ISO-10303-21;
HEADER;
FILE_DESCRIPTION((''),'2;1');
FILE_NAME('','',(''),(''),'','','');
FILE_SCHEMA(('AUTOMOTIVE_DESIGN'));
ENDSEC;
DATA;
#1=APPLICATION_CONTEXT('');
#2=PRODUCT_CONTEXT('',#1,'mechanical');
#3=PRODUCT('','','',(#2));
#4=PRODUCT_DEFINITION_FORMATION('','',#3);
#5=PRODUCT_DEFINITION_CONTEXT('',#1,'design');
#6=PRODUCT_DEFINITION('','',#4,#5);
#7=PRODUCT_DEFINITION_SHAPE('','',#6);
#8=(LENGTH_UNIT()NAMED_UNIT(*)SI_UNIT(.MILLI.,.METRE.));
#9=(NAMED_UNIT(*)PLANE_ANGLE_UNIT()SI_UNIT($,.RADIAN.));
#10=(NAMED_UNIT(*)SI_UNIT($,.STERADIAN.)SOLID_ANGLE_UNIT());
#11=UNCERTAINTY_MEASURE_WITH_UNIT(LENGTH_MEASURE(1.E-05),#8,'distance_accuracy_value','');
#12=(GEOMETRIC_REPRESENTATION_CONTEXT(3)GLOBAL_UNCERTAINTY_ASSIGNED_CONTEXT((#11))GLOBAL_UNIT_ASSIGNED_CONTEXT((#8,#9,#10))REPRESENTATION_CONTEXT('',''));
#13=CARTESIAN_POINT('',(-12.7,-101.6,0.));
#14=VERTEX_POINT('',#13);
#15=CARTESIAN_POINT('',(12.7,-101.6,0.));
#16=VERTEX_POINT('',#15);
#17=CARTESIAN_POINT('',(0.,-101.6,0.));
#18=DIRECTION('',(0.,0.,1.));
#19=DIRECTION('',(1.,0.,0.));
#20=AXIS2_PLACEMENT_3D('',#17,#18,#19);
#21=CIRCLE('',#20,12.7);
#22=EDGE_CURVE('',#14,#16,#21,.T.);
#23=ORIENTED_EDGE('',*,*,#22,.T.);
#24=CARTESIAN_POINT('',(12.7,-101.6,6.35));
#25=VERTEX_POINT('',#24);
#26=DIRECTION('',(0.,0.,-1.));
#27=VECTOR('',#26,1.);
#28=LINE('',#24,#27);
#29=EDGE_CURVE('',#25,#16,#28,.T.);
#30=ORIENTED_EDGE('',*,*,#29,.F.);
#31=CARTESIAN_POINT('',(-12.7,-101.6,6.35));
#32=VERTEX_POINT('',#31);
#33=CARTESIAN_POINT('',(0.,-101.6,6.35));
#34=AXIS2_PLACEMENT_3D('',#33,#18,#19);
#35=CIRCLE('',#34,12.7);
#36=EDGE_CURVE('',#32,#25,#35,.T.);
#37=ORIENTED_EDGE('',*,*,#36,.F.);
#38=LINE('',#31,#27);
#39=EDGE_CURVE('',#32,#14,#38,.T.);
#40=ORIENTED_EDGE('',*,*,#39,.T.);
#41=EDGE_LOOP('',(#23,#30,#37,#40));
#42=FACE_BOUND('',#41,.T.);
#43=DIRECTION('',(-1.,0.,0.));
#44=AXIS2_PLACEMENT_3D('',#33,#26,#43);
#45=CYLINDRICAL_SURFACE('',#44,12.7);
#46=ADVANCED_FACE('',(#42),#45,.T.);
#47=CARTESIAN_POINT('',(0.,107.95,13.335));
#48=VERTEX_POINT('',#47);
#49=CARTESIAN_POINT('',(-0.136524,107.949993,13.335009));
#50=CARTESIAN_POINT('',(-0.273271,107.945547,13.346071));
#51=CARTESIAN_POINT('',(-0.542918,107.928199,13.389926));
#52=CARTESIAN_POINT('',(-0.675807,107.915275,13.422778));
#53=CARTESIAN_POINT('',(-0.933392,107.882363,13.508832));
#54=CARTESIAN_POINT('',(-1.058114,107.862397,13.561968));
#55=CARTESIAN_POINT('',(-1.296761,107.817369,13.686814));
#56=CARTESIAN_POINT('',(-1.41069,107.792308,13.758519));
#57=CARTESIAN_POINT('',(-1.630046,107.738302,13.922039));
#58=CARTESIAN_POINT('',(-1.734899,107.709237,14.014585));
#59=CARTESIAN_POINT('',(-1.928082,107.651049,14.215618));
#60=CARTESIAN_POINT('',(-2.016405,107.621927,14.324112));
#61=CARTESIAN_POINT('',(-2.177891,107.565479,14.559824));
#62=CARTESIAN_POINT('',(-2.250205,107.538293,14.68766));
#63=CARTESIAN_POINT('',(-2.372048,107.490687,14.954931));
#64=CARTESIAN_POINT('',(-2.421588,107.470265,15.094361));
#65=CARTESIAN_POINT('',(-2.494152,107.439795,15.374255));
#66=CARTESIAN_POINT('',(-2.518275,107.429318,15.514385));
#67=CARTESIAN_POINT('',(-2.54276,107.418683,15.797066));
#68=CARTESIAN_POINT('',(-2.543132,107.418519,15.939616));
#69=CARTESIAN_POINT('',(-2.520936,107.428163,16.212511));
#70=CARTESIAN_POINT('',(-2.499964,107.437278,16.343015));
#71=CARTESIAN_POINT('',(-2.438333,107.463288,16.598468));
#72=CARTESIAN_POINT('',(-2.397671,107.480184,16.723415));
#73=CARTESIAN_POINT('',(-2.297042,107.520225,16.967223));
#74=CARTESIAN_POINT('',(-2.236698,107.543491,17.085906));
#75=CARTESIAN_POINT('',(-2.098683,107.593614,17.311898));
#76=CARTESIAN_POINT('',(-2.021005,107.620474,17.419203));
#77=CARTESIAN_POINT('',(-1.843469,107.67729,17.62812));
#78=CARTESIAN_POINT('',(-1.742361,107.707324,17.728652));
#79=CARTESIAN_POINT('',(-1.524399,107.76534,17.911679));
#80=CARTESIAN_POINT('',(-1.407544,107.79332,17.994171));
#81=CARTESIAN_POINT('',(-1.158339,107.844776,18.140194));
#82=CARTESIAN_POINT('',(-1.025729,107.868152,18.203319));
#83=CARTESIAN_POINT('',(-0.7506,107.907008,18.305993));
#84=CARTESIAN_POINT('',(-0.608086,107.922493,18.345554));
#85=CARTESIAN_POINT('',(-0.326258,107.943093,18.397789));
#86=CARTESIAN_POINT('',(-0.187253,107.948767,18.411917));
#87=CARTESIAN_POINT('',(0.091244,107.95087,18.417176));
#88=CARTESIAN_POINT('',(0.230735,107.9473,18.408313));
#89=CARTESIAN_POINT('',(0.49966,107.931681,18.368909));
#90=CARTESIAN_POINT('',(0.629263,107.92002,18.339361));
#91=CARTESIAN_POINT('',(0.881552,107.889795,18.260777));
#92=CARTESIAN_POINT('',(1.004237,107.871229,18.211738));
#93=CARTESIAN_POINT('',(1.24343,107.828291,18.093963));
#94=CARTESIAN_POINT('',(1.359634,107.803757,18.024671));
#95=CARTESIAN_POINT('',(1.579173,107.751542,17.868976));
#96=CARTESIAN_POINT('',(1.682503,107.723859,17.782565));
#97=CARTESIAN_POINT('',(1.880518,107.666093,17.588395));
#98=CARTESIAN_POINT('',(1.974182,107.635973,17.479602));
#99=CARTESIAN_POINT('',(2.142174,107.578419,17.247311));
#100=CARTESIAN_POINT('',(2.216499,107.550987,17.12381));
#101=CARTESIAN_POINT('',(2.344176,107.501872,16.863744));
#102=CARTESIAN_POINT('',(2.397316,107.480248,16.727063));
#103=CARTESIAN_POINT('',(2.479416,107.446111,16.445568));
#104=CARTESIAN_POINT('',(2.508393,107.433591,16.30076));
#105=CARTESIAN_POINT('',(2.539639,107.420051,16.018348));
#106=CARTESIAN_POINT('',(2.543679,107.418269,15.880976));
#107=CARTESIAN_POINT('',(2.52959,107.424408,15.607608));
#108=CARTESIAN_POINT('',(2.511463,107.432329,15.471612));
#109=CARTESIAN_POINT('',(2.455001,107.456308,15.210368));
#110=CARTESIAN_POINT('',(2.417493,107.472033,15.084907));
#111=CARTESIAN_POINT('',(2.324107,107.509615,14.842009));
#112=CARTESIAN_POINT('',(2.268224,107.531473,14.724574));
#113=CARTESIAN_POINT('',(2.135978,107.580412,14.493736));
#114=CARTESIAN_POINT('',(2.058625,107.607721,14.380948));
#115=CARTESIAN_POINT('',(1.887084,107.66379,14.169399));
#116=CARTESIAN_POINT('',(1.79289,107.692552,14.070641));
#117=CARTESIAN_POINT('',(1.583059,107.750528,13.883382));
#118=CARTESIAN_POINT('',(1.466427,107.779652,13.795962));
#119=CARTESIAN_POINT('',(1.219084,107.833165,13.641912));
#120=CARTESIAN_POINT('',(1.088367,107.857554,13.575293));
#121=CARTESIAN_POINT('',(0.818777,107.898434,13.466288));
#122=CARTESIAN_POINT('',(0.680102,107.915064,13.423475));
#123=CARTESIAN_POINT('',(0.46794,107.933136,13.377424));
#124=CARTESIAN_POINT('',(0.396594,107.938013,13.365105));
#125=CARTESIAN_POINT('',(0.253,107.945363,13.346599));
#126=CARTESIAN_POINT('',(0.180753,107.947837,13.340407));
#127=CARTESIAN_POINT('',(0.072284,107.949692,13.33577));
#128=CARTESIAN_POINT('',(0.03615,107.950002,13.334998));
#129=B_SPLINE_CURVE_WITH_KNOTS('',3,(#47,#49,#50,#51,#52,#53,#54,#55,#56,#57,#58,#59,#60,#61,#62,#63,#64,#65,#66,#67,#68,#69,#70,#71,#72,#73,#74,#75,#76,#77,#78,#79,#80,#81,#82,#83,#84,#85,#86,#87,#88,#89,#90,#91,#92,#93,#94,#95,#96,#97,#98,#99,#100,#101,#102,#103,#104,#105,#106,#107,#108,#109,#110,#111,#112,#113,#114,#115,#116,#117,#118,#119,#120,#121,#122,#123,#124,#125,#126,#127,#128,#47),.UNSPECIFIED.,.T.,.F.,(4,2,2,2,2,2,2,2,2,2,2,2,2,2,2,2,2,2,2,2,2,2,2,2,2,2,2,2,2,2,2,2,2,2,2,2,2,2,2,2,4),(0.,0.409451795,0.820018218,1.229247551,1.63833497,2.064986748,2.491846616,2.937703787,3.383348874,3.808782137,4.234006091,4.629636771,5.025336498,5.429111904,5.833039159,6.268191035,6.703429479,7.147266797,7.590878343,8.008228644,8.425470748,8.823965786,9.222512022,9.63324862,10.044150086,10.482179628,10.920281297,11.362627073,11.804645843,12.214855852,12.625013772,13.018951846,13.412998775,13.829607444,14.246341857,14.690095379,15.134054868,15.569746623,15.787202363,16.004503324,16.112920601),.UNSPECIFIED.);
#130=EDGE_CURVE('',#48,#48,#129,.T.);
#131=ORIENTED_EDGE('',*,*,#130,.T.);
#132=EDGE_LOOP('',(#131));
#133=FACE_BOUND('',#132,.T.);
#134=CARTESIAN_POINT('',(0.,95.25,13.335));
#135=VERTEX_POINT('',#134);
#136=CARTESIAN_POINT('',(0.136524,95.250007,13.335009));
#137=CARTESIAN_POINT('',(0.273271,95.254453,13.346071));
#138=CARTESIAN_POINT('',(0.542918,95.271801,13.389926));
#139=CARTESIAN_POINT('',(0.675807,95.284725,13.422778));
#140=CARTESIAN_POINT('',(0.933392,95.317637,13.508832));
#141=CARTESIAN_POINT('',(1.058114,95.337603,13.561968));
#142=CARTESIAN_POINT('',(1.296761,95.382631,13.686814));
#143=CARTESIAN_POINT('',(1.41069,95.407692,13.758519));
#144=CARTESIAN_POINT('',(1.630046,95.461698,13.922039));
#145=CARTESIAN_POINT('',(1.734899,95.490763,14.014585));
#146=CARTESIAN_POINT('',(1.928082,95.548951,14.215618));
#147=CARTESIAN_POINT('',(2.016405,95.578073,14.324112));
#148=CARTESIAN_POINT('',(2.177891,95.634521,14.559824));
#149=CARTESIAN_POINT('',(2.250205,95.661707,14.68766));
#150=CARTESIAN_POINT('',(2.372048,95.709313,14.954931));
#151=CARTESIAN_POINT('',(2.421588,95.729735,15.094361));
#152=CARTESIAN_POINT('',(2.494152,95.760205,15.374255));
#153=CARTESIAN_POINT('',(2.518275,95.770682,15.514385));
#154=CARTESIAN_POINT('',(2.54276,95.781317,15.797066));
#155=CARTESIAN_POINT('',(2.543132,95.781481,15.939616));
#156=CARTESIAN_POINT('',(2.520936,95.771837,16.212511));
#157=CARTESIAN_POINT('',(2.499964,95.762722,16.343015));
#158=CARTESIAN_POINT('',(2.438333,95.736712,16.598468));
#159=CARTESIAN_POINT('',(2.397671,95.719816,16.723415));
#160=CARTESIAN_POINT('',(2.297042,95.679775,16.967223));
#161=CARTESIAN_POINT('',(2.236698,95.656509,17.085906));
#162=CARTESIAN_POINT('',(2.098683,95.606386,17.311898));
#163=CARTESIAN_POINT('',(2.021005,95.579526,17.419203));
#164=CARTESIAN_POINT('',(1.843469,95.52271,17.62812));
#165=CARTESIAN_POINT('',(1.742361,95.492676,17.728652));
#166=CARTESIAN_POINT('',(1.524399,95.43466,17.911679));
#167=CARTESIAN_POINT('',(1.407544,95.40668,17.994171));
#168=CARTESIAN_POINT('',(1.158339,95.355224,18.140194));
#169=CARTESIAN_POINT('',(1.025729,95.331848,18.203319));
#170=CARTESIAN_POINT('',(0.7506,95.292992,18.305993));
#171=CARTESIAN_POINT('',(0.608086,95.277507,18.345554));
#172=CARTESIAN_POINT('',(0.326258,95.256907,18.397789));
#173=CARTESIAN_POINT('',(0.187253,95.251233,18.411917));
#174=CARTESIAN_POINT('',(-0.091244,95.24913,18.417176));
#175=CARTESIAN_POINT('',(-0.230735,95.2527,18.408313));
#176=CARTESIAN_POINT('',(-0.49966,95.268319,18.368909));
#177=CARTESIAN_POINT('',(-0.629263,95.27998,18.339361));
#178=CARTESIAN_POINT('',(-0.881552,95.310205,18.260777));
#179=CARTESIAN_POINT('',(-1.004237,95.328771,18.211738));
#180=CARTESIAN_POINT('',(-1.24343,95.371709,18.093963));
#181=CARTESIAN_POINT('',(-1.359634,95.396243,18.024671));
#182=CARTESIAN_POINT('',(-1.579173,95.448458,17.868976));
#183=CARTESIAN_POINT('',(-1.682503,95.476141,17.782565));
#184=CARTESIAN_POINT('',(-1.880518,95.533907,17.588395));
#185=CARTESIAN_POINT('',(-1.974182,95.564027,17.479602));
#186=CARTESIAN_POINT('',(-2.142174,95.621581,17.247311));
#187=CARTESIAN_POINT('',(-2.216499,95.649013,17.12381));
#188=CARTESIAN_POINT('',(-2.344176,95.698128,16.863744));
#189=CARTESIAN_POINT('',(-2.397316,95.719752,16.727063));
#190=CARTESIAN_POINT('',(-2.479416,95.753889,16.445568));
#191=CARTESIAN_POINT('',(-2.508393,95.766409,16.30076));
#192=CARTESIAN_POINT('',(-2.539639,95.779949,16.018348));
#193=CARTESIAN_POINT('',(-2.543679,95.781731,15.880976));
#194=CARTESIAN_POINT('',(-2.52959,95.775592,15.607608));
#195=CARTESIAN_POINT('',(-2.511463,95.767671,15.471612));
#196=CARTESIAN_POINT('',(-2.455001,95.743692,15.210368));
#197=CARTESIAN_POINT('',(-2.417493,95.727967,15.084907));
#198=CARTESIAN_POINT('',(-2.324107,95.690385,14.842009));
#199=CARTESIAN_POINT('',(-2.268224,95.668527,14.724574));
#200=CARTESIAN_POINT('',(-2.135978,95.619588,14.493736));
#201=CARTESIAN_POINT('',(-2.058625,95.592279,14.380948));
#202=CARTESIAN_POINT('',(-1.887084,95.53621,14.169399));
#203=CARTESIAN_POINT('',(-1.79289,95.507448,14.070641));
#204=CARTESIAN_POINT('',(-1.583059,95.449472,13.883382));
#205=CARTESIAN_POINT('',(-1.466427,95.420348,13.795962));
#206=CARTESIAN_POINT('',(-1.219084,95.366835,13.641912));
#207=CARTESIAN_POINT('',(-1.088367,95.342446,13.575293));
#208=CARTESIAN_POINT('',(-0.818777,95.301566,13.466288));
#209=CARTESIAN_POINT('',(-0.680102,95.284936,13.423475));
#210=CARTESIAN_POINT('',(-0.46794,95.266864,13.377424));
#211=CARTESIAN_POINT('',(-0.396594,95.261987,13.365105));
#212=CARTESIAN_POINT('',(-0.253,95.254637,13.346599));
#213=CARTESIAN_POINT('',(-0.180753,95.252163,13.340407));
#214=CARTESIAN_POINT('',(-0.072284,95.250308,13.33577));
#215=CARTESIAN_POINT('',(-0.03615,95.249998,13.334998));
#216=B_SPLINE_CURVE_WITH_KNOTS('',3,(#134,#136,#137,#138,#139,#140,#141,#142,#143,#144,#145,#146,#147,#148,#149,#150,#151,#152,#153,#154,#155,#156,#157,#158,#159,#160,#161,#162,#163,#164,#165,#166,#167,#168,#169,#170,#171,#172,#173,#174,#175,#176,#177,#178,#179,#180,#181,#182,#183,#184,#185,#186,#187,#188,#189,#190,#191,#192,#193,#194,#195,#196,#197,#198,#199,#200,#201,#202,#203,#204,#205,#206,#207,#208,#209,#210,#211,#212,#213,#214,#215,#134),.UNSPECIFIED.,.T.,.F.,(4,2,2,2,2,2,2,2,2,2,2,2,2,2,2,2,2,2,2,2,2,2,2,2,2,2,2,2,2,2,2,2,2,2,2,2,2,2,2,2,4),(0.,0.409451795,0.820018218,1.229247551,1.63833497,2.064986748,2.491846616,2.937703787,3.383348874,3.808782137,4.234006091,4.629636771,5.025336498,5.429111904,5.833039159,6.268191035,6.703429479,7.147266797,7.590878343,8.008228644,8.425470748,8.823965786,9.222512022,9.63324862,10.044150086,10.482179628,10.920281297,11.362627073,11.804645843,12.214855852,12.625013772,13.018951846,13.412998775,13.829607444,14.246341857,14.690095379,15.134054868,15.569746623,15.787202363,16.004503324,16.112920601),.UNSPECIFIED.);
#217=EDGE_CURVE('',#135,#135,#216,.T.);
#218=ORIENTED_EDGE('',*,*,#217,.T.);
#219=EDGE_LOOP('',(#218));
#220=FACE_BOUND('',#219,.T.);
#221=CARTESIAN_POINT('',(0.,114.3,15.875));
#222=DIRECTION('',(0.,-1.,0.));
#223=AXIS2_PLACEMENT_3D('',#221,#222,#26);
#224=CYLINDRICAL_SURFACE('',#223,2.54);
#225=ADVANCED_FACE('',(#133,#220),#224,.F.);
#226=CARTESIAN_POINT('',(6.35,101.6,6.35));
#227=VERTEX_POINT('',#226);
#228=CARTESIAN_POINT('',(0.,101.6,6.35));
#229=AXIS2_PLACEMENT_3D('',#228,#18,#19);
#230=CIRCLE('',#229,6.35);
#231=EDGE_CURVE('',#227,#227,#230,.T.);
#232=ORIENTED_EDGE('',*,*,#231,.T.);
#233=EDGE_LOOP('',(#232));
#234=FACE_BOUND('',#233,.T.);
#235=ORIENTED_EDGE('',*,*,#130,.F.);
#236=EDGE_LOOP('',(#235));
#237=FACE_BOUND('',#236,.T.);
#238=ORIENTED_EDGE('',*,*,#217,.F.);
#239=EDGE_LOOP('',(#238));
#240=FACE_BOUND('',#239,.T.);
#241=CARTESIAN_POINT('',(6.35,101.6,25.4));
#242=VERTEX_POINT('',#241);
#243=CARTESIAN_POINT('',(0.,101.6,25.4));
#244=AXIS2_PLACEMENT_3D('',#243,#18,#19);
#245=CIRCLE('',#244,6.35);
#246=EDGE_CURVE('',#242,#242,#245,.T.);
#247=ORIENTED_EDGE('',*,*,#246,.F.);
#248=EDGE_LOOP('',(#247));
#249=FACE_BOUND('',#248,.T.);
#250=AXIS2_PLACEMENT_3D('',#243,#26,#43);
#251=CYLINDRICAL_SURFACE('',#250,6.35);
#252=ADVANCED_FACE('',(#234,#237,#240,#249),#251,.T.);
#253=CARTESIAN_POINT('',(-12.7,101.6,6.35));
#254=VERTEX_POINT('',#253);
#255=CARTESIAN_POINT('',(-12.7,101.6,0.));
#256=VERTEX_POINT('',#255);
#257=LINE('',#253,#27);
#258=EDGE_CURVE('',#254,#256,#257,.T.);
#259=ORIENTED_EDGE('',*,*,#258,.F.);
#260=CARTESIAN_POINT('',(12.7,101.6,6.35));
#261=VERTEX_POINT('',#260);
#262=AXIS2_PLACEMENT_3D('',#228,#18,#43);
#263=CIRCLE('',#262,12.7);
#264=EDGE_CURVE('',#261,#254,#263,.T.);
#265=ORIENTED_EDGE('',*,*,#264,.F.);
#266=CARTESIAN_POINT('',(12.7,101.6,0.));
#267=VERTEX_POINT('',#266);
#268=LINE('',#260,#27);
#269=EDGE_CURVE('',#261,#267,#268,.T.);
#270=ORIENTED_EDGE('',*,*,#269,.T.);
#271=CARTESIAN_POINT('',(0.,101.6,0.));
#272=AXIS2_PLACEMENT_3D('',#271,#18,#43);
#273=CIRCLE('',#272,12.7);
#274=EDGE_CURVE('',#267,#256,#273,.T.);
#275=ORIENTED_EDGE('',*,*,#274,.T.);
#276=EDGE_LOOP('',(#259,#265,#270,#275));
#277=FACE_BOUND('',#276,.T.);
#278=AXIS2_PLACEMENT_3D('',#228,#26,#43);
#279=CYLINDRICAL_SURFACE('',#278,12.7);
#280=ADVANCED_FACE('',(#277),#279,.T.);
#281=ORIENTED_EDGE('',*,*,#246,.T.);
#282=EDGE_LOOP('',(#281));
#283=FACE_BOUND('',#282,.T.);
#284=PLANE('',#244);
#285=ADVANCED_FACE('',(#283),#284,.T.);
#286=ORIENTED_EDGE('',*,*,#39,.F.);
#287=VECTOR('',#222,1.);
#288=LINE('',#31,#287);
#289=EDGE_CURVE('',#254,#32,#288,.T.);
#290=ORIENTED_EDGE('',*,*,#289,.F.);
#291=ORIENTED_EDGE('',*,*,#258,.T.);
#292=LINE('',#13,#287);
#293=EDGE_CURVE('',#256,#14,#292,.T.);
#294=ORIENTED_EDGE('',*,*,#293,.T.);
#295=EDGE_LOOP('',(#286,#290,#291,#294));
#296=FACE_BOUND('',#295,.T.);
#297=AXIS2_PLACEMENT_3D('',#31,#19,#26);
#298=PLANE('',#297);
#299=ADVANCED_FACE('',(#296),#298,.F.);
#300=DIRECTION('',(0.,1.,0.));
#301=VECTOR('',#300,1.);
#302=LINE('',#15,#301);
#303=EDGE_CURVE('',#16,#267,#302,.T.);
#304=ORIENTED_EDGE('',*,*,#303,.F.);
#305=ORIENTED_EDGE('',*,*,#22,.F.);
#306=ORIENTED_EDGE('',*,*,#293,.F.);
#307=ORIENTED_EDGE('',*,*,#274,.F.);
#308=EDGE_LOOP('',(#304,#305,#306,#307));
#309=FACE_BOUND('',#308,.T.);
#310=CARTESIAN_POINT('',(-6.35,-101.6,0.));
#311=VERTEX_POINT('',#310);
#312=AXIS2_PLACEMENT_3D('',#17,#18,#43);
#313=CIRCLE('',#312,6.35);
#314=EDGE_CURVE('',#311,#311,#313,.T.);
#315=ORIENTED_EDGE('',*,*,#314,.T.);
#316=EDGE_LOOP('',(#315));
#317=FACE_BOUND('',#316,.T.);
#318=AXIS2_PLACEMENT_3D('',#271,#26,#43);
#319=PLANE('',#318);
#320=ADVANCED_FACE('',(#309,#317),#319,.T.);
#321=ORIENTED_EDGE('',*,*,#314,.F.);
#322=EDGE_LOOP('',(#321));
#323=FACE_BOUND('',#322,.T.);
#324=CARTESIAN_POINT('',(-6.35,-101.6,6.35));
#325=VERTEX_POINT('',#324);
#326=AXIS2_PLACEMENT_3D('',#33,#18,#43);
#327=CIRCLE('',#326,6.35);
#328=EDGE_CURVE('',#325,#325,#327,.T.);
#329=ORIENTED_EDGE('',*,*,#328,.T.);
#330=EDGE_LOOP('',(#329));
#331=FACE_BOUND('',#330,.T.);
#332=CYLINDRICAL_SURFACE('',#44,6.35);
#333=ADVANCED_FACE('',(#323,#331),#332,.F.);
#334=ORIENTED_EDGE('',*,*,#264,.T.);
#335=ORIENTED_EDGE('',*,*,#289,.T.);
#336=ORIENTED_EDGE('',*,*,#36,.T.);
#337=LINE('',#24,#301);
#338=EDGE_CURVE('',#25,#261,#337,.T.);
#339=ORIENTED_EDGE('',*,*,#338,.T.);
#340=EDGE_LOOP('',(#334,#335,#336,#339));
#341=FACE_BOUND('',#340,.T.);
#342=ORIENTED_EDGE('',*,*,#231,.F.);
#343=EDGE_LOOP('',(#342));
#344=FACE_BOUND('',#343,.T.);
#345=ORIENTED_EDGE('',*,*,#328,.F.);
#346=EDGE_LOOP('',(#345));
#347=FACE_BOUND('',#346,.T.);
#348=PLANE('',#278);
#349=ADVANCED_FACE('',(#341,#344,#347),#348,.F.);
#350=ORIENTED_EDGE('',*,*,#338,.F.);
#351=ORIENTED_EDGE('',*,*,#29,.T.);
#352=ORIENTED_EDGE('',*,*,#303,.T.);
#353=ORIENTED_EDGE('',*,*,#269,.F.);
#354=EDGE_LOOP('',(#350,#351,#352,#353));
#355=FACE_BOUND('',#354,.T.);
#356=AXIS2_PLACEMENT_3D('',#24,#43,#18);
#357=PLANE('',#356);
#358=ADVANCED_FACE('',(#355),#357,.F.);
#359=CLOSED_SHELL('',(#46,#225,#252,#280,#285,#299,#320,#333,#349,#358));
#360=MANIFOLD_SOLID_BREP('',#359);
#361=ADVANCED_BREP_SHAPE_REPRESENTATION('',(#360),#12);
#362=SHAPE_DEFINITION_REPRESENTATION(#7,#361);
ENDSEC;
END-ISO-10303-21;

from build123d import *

# Parameters (mm, degrees)
SKETCH1_R           = 6.35
BOSS_EXTRUDE1_DEPTH = 6.35
SKETCH2_R           = 6.35
BOSS_EXTRUDE3_DEPTH = 25.4
SKETCH5_R           = 2.54
CUT_EXTRUDE2_DEPTH  = 118.774954893


with BuildPart() as part:
    # Sketch1 → Boss-Extrude1 (new body)
    with BuildSketch(Plane.XY):
        with BuildLine():
            Line((-12.7, -101.6), (-12.7, 101.6))
            ThreePointArc((-12.7, 101.6), (0, 114.3), (12.7, 101.6))
            Line((12.7, 101.6), (12.7, -101.6))
            ThreePointArc((12.7, -101.6), (0, -114.3), (-12.7, -101.6))
        make_face()
        with Locations((0, 101.6)):
            Circle(SKETCH1_R, mode=Mode.SUBTRACT)
        with Locations(Location((0, -101.6, 0), (0, 0, 180))):
            Circle(SKETCH1_R, mode=Mode.SUBTRACT)
    extrude(amount=BOSS_EXTRUDE1_DEPTH)

    # Sketch2 → Boss-Extrude3 (add)
    with BuildSketch(Plane.XY):
        with Locations((0, 101.6)):
            Circle(SKETCH2_R)
    extrude(amount=BOSS_EXTRUDE3_DEPTH)

    # Sketch5 → Cut-Extrude2 (cut, through all)
    with BuildSketch(Plane(origin=(0, 0, 0), x_dir=(1, 0, 0), z_dir=(0, 1, 0))):
        with Locations(Location((0, -15.875, 0), (0, 0, 90))):
            Circle(SKETCH5_R)
    extrude(amount=CUT_EXTRUDE2_DEPTH, mode=Mode.SUBTRACT)


solid = part.part
